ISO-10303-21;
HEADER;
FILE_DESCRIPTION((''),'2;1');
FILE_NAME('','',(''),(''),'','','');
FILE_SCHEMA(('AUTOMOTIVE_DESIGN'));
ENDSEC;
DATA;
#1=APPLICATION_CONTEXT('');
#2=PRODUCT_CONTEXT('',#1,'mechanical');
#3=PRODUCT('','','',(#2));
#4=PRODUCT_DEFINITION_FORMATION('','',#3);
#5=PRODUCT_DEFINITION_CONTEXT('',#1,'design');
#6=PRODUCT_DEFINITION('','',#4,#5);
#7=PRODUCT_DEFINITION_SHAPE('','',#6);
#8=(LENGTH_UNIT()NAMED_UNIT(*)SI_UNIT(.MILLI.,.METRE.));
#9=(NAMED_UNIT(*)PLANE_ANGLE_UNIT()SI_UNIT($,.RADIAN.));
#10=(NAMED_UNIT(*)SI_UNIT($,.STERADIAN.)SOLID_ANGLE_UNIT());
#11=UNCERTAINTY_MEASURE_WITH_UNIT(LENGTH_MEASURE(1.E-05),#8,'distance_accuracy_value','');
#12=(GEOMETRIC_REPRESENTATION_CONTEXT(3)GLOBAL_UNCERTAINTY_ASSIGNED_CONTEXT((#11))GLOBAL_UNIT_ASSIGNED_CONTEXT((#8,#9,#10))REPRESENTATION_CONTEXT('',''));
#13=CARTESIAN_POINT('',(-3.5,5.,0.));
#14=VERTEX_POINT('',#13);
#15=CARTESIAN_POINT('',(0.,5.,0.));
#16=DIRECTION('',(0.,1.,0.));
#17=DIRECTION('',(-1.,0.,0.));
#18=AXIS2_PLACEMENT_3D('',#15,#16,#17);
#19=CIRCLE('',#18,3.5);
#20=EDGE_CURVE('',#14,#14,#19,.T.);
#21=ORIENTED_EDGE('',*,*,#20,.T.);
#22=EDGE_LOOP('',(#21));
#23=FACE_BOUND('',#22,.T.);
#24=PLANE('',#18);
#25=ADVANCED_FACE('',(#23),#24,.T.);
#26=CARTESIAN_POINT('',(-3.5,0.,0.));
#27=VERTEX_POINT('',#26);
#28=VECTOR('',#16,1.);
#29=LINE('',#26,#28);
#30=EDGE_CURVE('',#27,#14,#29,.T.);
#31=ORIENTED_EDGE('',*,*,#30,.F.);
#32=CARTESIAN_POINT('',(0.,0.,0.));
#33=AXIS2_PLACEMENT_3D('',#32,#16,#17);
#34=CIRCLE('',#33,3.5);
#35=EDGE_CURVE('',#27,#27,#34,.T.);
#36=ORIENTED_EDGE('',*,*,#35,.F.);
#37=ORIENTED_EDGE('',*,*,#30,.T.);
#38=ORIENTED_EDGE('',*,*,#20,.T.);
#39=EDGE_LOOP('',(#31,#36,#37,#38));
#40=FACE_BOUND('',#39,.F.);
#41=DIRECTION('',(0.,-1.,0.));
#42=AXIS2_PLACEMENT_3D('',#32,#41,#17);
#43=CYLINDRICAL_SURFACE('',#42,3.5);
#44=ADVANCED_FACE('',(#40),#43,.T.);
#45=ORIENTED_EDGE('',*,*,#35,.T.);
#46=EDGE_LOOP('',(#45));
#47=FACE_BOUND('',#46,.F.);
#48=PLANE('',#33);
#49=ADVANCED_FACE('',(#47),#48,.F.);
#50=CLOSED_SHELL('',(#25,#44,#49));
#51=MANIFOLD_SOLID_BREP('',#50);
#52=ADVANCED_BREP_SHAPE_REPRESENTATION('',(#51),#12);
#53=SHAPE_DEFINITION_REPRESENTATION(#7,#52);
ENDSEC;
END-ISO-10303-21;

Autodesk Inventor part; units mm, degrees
ref_plane "YZ Plane" through (0, 0, 0) normal (1, 0, 0) x (0, 1, 0)
ref_plane "XZ Plane" through (0, 0, 0) normal (0, 1, 0) x (-1, 0, 0)
ref_plane "XY Plane" through (0, 0, 0) normal (0, 0, 1) x (1, 0, 0)
sketch "Sketch1" plane through (0, 0, 0) normal (0, 1, 0) x (-1, 0, 0)
  circle A0 centre (0, 0) radius 3.5
  dimension "d0" = 7
extrude "Extrusion1" add sketch "Sketch1" along normal blind 5
properties part number "Camera and LED sensor" material "UHMW, Black"
